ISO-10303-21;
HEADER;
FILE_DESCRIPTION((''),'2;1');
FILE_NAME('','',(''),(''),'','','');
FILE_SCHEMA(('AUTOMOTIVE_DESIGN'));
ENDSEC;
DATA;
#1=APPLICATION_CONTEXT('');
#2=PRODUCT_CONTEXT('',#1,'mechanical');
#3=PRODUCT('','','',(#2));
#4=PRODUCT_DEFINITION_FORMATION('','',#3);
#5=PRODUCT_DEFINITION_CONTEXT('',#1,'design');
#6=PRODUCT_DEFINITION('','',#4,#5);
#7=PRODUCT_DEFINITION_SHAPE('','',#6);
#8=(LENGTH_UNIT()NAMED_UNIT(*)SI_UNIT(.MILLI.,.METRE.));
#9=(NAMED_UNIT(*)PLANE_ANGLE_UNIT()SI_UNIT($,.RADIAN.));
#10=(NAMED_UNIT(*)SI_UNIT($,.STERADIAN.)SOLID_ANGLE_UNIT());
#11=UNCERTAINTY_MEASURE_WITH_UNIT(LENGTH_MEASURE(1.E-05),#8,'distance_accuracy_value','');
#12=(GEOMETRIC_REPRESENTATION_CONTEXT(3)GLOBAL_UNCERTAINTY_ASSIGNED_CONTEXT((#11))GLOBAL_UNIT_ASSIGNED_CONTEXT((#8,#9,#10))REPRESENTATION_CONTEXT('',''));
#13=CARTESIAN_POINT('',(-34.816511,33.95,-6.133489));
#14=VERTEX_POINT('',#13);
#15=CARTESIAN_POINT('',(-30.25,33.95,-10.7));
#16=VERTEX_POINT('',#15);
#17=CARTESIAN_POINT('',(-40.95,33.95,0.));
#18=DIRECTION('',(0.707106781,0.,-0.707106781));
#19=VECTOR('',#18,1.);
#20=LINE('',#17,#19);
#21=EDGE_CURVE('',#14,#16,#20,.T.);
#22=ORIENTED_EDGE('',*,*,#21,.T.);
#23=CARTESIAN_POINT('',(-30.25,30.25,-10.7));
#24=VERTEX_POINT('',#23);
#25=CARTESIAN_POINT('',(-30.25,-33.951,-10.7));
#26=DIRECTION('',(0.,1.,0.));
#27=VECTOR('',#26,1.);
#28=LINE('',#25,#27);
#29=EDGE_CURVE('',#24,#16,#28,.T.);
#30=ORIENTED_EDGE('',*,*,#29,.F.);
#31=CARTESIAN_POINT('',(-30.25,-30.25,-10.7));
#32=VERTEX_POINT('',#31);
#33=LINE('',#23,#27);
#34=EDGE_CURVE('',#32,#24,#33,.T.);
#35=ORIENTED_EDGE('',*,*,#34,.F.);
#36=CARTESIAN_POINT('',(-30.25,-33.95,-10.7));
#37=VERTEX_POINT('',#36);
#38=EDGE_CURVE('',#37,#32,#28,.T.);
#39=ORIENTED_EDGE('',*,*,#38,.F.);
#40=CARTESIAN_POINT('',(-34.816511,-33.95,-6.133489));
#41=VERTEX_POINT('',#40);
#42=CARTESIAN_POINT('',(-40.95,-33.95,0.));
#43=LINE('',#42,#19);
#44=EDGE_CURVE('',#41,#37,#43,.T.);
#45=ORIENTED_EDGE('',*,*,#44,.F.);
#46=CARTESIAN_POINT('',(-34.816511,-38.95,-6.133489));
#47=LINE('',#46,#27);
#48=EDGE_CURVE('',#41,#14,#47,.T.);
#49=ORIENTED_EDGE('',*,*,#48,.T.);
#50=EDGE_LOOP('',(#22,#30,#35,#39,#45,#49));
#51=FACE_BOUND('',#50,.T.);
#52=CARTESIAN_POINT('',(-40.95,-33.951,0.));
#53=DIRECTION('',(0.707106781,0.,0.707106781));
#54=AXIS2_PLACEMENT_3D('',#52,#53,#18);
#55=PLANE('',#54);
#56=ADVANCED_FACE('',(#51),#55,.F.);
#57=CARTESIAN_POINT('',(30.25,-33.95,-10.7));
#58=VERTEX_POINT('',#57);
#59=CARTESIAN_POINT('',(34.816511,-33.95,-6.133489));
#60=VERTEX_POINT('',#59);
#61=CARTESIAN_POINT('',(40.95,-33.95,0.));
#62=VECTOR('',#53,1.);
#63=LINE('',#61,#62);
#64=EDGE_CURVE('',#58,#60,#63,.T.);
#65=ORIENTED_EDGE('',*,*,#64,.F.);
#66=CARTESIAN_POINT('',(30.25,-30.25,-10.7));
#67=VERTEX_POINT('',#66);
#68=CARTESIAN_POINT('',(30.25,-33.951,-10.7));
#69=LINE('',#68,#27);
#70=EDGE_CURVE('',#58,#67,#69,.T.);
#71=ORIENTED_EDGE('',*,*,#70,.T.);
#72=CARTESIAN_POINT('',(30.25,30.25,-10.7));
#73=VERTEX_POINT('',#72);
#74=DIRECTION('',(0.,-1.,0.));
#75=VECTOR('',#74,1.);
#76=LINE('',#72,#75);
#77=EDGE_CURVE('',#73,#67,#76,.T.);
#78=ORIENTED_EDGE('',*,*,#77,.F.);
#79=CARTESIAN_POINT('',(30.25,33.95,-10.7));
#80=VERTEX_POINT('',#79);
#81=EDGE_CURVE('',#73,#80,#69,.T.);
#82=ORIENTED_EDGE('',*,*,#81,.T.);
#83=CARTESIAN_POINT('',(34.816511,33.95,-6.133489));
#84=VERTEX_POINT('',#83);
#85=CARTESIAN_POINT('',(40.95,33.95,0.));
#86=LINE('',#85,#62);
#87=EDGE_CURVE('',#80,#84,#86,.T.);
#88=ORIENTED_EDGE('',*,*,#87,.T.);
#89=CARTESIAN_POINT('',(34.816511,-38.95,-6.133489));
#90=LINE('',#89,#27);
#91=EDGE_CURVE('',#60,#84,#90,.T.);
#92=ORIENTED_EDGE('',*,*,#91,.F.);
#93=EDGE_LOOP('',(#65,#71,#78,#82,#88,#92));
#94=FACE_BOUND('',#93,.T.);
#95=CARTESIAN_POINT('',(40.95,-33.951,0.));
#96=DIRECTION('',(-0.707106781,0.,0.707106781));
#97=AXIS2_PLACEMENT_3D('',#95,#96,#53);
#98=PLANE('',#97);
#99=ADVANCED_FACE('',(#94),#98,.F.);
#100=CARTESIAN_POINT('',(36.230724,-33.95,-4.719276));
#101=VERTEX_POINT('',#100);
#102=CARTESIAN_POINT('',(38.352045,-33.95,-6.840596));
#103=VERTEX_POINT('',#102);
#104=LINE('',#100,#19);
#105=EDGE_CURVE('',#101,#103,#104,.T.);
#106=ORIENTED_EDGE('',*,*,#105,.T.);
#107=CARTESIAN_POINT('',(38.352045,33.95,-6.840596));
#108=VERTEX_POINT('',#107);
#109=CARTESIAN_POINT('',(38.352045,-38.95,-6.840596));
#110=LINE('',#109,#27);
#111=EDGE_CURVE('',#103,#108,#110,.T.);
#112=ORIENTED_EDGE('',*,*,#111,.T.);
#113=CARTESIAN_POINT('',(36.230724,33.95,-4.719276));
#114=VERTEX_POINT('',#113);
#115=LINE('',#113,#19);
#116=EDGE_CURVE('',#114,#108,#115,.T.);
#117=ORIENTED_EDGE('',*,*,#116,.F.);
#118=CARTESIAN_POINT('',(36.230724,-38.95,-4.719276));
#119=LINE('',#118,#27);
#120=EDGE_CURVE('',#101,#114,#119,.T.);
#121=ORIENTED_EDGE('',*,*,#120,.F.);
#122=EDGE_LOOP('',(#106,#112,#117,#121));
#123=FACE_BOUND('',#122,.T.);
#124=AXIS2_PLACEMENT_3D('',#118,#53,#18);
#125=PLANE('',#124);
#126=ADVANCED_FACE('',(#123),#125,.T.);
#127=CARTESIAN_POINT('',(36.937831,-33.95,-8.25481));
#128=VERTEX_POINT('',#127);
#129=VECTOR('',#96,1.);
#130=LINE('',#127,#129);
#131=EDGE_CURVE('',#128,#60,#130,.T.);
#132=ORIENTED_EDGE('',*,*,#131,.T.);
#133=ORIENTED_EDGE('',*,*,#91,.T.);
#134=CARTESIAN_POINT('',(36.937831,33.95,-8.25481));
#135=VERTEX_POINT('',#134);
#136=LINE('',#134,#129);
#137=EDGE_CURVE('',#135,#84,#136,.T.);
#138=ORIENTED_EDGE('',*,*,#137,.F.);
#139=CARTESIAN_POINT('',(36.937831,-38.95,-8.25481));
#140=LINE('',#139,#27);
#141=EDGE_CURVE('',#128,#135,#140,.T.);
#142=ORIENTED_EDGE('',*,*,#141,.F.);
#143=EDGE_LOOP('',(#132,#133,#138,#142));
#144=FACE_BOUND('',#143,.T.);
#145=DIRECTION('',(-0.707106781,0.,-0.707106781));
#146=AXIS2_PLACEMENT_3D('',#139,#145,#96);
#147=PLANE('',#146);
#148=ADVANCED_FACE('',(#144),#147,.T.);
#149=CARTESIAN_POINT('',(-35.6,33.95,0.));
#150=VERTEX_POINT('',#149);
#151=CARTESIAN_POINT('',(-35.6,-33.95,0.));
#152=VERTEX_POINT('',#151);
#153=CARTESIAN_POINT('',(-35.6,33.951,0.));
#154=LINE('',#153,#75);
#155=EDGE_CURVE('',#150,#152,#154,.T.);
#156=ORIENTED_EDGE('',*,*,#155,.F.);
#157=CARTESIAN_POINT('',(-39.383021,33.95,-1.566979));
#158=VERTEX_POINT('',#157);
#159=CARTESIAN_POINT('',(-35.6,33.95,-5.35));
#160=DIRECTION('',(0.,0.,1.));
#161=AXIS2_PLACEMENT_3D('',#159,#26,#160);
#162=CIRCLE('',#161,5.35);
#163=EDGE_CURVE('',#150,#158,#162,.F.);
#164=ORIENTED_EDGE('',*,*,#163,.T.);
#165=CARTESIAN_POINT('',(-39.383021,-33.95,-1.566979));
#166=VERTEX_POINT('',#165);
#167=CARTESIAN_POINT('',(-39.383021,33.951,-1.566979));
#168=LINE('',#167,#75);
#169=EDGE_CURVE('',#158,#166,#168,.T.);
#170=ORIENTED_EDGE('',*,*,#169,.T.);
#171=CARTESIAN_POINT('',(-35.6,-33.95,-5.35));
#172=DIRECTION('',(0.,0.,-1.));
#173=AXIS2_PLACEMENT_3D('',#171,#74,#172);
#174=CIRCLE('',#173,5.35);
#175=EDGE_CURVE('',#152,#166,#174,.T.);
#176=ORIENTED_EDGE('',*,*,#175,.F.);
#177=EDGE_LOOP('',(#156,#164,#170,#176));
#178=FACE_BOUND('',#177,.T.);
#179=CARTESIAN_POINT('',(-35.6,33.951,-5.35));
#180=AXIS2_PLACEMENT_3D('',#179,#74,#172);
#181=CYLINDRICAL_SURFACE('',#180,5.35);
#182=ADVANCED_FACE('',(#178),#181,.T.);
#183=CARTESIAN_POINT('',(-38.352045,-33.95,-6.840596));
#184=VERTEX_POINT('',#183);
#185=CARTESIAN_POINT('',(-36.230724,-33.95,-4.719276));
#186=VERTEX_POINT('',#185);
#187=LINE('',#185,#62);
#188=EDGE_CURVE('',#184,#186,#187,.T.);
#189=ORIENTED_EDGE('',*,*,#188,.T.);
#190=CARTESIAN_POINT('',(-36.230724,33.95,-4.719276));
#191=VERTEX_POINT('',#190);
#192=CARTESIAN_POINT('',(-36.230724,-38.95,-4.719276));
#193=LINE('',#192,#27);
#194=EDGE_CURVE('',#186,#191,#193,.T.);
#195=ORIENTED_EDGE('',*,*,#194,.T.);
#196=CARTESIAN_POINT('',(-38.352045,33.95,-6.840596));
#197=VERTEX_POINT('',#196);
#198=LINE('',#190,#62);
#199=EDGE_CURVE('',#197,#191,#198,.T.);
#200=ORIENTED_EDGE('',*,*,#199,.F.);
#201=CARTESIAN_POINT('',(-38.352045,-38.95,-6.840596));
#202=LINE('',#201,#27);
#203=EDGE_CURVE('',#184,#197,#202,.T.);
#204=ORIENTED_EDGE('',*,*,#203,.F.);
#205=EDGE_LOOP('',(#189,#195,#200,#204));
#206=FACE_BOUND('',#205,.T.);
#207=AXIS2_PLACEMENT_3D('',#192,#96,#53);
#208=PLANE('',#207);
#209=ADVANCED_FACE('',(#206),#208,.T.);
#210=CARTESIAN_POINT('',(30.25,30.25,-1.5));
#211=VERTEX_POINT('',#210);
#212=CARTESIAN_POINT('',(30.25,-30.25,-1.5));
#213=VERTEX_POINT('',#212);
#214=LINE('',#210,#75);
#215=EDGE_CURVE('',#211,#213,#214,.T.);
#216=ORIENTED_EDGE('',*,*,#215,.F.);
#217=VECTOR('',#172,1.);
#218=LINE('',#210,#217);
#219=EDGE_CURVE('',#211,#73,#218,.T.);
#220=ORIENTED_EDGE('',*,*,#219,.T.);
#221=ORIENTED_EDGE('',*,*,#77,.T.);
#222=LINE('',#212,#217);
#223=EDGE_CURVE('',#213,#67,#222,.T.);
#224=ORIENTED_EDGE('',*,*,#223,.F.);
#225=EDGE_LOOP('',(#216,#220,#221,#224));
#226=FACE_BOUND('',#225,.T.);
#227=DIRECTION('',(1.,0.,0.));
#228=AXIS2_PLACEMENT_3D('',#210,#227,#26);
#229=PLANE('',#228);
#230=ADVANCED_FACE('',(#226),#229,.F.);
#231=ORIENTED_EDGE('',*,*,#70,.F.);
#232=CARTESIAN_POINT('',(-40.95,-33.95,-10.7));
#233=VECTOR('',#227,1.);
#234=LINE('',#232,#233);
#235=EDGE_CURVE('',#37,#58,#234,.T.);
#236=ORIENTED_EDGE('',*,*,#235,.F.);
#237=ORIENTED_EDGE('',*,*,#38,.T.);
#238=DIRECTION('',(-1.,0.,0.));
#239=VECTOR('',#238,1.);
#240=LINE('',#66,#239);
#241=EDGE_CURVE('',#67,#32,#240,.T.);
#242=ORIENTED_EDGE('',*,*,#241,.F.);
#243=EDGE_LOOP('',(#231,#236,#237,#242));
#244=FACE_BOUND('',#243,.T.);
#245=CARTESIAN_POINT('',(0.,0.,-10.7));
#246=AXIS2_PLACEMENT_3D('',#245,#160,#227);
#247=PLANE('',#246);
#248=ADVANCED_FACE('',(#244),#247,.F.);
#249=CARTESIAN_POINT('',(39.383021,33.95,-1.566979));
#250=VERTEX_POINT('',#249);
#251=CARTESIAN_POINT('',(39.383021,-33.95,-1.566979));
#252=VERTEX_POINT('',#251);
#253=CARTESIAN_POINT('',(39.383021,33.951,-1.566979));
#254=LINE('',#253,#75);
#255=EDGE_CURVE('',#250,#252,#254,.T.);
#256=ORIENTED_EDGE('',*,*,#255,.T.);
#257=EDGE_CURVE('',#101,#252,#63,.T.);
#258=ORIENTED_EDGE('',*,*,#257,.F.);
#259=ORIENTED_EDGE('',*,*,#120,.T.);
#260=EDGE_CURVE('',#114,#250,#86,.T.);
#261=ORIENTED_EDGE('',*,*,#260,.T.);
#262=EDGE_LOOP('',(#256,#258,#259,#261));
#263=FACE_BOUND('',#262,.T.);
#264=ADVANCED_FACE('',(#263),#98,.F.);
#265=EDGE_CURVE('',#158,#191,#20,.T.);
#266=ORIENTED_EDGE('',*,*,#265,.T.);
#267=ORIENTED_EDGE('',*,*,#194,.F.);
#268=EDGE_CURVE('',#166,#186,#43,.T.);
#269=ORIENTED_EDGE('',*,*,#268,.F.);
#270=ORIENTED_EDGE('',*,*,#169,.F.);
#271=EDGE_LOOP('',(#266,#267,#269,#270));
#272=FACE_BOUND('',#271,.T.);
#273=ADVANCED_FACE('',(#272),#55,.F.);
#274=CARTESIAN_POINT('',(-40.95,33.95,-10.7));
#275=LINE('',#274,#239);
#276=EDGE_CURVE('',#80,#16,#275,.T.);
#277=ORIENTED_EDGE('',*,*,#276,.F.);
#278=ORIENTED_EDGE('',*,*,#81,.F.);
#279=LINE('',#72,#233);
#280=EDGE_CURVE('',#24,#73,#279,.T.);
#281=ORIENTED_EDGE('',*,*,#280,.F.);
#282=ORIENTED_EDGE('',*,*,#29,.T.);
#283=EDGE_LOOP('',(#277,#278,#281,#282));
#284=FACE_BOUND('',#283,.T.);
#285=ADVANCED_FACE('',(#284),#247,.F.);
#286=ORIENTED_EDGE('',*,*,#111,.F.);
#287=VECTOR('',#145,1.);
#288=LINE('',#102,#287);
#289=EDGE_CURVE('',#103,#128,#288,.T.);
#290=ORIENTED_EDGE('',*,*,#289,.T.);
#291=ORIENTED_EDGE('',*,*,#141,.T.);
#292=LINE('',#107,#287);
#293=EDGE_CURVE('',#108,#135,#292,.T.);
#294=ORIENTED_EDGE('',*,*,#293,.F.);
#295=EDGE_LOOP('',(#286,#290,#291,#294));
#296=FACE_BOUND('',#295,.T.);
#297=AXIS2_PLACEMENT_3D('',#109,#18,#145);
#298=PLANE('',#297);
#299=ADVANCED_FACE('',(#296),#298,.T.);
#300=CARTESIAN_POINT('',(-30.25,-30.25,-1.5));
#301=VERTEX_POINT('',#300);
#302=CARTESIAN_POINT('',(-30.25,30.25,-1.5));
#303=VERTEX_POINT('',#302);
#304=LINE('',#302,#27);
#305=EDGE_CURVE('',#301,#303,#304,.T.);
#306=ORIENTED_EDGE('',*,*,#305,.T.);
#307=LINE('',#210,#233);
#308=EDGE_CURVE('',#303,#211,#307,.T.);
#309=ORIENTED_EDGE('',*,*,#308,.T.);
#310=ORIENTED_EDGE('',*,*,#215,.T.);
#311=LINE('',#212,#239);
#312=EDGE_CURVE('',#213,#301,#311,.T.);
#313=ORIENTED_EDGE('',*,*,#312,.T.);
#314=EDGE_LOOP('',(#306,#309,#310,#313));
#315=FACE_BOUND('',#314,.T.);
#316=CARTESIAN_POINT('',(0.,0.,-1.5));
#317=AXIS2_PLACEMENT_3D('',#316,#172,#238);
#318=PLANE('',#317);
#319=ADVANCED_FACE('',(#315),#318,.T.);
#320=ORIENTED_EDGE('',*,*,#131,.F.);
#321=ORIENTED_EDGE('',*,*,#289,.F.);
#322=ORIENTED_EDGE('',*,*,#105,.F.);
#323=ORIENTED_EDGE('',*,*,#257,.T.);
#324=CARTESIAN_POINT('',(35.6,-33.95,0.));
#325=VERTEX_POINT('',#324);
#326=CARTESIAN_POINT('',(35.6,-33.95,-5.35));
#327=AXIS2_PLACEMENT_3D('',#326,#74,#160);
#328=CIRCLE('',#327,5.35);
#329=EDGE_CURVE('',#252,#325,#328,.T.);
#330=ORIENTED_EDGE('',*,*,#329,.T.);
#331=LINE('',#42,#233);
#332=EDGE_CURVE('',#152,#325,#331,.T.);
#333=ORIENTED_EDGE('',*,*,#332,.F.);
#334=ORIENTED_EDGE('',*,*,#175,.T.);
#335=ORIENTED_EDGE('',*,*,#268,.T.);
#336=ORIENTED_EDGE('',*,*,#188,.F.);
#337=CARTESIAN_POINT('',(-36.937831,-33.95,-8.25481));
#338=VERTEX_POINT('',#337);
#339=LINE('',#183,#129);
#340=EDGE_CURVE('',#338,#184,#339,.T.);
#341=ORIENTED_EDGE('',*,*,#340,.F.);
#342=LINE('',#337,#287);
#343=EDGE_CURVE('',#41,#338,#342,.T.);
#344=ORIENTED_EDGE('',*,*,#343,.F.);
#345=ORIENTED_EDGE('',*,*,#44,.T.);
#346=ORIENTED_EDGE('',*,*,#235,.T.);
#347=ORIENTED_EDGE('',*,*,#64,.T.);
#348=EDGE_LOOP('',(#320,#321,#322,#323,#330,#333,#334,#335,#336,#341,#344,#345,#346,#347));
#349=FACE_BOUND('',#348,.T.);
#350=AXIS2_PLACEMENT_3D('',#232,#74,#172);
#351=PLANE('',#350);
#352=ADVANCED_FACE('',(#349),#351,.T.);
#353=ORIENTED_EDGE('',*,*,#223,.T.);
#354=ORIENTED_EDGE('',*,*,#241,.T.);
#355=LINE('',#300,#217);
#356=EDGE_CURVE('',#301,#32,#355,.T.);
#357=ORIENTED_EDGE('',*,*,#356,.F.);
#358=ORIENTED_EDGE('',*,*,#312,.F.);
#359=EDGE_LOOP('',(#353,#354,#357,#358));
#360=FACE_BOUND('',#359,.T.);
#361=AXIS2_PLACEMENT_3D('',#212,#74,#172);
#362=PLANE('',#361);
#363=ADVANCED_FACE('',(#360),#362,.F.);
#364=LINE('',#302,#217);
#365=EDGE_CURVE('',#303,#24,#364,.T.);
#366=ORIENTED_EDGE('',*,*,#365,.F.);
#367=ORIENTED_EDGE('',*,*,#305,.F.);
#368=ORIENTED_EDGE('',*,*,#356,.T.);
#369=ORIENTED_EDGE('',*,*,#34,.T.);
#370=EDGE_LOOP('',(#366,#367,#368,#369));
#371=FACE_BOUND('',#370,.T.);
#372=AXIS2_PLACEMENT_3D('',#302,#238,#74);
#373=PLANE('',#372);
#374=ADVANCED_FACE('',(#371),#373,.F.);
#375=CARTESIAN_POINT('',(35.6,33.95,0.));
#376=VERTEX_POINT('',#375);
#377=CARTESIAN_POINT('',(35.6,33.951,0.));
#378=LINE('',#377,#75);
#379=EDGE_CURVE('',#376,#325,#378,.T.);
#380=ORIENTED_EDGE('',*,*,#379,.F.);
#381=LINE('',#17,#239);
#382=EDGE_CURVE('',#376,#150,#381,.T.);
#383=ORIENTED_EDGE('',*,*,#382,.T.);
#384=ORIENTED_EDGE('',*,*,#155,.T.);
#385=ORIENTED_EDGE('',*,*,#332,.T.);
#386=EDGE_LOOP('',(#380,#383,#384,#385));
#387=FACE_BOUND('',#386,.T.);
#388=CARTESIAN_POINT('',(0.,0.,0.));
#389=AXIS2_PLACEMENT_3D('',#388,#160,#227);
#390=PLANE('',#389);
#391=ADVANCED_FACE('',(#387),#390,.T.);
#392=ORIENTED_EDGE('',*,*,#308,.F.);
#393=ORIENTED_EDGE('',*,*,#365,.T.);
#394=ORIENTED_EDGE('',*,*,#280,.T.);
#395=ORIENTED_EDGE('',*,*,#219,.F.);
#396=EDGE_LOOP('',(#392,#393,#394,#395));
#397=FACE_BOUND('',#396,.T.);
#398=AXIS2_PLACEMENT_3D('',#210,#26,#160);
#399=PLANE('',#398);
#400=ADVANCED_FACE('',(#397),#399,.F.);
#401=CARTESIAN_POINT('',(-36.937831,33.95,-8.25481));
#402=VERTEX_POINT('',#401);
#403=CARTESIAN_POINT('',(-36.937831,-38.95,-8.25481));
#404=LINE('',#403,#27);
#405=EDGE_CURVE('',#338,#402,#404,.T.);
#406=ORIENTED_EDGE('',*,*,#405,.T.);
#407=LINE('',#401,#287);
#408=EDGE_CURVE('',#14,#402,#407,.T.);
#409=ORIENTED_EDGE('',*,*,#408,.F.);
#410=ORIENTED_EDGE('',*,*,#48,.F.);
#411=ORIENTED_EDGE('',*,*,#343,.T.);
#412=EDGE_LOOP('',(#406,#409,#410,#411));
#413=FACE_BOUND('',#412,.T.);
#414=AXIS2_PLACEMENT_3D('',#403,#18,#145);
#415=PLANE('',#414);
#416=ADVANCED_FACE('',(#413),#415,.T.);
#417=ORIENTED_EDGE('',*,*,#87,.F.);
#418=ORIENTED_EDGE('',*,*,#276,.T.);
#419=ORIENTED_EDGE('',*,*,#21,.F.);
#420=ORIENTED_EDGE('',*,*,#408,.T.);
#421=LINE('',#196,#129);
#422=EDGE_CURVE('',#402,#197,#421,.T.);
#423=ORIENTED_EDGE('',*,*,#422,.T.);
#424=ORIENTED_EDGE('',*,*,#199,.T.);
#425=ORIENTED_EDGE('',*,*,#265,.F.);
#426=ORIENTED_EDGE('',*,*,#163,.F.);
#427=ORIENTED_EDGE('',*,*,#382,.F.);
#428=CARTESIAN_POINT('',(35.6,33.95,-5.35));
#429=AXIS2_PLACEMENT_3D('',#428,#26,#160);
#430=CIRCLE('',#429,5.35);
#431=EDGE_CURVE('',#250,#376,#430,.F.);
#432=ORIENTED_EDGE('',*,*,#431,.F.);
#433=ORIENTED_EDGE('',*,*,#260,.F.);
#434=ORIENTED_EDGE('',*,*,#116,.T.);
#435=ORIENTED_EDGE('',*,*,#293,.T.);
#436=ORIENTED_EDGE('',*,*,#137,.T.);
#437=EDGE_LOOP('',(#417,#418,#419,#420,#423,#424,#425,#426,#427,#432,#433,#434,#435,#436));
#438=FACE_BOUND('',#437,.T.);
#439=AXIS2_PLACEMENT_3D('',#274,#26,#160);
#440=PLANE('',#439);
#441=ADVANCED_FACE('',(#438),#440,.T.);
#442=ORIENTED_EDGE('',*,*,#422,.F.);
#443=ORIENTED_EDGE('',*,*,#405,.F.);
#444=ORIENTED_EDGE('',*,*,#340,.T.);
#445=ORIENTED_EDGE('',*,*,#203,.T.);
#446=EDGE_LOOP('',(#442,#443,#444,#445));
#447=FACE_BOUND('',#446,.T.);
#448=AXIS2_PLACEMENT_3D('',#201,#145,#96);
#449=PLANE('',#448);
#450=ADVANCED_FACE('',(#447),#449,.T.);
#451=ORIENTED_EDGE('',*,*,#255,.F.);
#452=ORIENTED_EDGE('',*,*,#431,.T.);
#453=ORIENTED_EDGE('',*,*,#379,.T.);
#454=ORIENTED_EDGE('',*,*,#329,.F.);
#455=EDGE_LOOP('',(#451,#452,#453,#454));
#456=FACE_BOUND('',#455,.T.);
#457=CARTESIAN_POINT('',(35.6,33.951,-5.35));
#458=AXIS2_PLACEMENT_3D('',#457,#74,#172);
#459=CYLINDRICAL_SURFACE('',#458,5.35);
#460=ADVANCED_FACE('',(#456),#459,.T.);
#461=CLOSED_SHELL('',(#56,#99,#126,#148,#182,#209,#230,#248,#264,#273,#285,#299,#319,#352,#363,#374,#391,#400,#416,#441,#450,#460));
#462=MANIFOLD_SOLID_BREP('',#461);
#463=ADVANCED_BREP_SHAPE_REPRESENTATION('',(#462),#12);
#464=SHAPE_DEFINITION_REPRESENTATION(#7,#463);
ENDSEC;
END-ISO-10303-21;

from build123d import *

# Parameters (mm, degrees)
SKETCH_1_W          = 81.9
SKETCH_1_H          = 67.9
EXTRUDE_1_DEPTH     = 10.7
SKETCH_2_W          = 60.5
SKETCH_2_H          = 60.5
CUT_EXTRUDE_1_DEPTH = 9.2
CUT_EXTRUDE_2_REACH = 82.011
CUT_EXTRUDE_4_REACH = 91.242
EXTRUDE_2_DEPTH     = 67.9


with BuildPart() as part:
    # Эскиз1 → Бобышка-Вытянуть1 (new body)
    with BuildSketch(Plane.XY):
        Rectangle(SKETCH_1_W, SKETCH_1_H)
    extrude(amount=-EXTRUDE_1_DEPTH)

    # Эскиз2 → Вырез-Вытянуть1 (cut)
    with BuildSketch(Plane(origin=(0, 0, -10.7), x_dir=(-1, 0, 0), z_dir=(0, 0, -1))):
        Rectangle(SKETCH_2_W, SKETCH_2_H)
    extrude(amount=-CUT_EXTRUDE_1_DEPTH, mode=Mode.SUBTRACT)

    # Эскиз3 → Вырез-Вытянуть2 (cut, up to next)
    with BuildSketch(Plane(origin=(0, 33.95, 0), x_dir=(1, 0, 0), z_dir=(0, 1, 0)), mode=Mode.PRIVATE) as cut_extrude_2_sk1:
        Polygon((-40.95, 0), (-30.25, 10.7), (-40.95, 10.7), align=None)
    cut_extrude_2_tool1 = extrude(cut_extrude_2_sk1.sketch, amount=-CUT_EXTRUDE_2_REACH, mode=Mode.PRIVATE) & part.part
    # Эскиз3 → Вырез-Вытянуть2 (cut, up to next)
    with BuildSketch(Plane(origin=(0, 33.95, 0), x_dir=(1, 0, 0), z_dir=(0, 1, 0)), mode=Mode.PRIVATE) as cut_extrude_2_sk2:
        Polygon((40.95, 10.7), (40.95, 0), (30.25, 10.7), align=None)
    cut_extrude_2_tool2 = extrude(cut_extrude_2_sk2.sketch, amount=-CUT_EXTRUDE_2_REACH, mode=Mode.PRIVATE) & part.part
    add(cut_extrude_2_tool1.solids().sort_by_distance((-37.383333, 33.95, -7.133333))[0], mode=Mode.SUBTRACT)
    add(cut_extrude_2_tool2.solids().sort_by_distance((37.383333, 33.95, -7.133333))[0], mode=Mode.SUBTRACT)

    # Эскиз4 → Вырез-Вытянуть4 (cut, up to next)
    with BuildSketch(Plane(origin=(0, -33.95, -40.95), x_dir=(1, 0, 0), z_dir=(0, 1, 0)), mode=Mode.PRIVATE) as cut_extrude_4_sk1:
        with BuildLine():
            Line((39.383021279, -39.383021279), (40.95, -40.95))
            Line((40.95, -40.95), (35.6, -40.95))
            ThreePointArc((35.6, -40.95), (37.647356363, -40.542755499), (39.383021279, -39.383021279))
        make_face()
    cut_extrude_4_tool1 = extrude(cut_extrude_4_sk1.sketch, amount=CUT_EXTRUDE_4_REACH, mode=Mode.PRIVATE) & part.part
    # Эскиз4 → Вырез-Вытянуть4 (cut, up to next)
    with BuildSketch(Plane(origin=(0, -33.95, -40.95), x_dir=(1, 0, 0), z_dir=(0, 1, 0)), mode=Mode.PRIVATE) as cut_extrude_4_sk2:
        with BuildLine():
            Line((-40.95, -40.95), (-35.6, -40.95))
            ThreePointArc((-35.6, -40.95), (-37.647356363, -40.542755499), (-39.383021279, -39.383021279))
            Line((-39.383021279, -39.383021279), (-40.95, -40.95))
        make_face()
    cut_extrude_4_tool2 = extrude(cut_extrude_4_sk2.sketch, amount=CUT_EXTRUDE_4_REACH, mode=Mode.PRIVATE) & part.part
    add(cut_extrude_4_tool1.solids().sort_by_distance((39.042099, -33.95, -0.482136))[0], mode=Mode.SUBTRACT)
    add(cut_extrude_4_tool2.solids().sort_by_distance((-39.042099, -33.95, -0.482136))[0], mode=Mode.SUBTRACT)

    # Эскиз7 → Бобышка-Вытянуть2 (add)
    with BuildSketch(Plane(origin=(0, 33.95, 0), x_dir=(1, 0, 0), z_dir=(0, 1, 0))):
        Polygon((-38.352044546, 6.840596142), (-36.937830983, 8.254809704), (-34.81651064, 6.13348936), (-36.230724202, 4.719275798), align=None)
        Polygon((36.937830983, 8.254809704), (34.81651064, 6.13348936), (36.230724202, 4.719275798), (38.352044546, 6.840596142), align=None)
    extrude(amount=-EXTRUDE_2_DEPTH)


solid = part.part
